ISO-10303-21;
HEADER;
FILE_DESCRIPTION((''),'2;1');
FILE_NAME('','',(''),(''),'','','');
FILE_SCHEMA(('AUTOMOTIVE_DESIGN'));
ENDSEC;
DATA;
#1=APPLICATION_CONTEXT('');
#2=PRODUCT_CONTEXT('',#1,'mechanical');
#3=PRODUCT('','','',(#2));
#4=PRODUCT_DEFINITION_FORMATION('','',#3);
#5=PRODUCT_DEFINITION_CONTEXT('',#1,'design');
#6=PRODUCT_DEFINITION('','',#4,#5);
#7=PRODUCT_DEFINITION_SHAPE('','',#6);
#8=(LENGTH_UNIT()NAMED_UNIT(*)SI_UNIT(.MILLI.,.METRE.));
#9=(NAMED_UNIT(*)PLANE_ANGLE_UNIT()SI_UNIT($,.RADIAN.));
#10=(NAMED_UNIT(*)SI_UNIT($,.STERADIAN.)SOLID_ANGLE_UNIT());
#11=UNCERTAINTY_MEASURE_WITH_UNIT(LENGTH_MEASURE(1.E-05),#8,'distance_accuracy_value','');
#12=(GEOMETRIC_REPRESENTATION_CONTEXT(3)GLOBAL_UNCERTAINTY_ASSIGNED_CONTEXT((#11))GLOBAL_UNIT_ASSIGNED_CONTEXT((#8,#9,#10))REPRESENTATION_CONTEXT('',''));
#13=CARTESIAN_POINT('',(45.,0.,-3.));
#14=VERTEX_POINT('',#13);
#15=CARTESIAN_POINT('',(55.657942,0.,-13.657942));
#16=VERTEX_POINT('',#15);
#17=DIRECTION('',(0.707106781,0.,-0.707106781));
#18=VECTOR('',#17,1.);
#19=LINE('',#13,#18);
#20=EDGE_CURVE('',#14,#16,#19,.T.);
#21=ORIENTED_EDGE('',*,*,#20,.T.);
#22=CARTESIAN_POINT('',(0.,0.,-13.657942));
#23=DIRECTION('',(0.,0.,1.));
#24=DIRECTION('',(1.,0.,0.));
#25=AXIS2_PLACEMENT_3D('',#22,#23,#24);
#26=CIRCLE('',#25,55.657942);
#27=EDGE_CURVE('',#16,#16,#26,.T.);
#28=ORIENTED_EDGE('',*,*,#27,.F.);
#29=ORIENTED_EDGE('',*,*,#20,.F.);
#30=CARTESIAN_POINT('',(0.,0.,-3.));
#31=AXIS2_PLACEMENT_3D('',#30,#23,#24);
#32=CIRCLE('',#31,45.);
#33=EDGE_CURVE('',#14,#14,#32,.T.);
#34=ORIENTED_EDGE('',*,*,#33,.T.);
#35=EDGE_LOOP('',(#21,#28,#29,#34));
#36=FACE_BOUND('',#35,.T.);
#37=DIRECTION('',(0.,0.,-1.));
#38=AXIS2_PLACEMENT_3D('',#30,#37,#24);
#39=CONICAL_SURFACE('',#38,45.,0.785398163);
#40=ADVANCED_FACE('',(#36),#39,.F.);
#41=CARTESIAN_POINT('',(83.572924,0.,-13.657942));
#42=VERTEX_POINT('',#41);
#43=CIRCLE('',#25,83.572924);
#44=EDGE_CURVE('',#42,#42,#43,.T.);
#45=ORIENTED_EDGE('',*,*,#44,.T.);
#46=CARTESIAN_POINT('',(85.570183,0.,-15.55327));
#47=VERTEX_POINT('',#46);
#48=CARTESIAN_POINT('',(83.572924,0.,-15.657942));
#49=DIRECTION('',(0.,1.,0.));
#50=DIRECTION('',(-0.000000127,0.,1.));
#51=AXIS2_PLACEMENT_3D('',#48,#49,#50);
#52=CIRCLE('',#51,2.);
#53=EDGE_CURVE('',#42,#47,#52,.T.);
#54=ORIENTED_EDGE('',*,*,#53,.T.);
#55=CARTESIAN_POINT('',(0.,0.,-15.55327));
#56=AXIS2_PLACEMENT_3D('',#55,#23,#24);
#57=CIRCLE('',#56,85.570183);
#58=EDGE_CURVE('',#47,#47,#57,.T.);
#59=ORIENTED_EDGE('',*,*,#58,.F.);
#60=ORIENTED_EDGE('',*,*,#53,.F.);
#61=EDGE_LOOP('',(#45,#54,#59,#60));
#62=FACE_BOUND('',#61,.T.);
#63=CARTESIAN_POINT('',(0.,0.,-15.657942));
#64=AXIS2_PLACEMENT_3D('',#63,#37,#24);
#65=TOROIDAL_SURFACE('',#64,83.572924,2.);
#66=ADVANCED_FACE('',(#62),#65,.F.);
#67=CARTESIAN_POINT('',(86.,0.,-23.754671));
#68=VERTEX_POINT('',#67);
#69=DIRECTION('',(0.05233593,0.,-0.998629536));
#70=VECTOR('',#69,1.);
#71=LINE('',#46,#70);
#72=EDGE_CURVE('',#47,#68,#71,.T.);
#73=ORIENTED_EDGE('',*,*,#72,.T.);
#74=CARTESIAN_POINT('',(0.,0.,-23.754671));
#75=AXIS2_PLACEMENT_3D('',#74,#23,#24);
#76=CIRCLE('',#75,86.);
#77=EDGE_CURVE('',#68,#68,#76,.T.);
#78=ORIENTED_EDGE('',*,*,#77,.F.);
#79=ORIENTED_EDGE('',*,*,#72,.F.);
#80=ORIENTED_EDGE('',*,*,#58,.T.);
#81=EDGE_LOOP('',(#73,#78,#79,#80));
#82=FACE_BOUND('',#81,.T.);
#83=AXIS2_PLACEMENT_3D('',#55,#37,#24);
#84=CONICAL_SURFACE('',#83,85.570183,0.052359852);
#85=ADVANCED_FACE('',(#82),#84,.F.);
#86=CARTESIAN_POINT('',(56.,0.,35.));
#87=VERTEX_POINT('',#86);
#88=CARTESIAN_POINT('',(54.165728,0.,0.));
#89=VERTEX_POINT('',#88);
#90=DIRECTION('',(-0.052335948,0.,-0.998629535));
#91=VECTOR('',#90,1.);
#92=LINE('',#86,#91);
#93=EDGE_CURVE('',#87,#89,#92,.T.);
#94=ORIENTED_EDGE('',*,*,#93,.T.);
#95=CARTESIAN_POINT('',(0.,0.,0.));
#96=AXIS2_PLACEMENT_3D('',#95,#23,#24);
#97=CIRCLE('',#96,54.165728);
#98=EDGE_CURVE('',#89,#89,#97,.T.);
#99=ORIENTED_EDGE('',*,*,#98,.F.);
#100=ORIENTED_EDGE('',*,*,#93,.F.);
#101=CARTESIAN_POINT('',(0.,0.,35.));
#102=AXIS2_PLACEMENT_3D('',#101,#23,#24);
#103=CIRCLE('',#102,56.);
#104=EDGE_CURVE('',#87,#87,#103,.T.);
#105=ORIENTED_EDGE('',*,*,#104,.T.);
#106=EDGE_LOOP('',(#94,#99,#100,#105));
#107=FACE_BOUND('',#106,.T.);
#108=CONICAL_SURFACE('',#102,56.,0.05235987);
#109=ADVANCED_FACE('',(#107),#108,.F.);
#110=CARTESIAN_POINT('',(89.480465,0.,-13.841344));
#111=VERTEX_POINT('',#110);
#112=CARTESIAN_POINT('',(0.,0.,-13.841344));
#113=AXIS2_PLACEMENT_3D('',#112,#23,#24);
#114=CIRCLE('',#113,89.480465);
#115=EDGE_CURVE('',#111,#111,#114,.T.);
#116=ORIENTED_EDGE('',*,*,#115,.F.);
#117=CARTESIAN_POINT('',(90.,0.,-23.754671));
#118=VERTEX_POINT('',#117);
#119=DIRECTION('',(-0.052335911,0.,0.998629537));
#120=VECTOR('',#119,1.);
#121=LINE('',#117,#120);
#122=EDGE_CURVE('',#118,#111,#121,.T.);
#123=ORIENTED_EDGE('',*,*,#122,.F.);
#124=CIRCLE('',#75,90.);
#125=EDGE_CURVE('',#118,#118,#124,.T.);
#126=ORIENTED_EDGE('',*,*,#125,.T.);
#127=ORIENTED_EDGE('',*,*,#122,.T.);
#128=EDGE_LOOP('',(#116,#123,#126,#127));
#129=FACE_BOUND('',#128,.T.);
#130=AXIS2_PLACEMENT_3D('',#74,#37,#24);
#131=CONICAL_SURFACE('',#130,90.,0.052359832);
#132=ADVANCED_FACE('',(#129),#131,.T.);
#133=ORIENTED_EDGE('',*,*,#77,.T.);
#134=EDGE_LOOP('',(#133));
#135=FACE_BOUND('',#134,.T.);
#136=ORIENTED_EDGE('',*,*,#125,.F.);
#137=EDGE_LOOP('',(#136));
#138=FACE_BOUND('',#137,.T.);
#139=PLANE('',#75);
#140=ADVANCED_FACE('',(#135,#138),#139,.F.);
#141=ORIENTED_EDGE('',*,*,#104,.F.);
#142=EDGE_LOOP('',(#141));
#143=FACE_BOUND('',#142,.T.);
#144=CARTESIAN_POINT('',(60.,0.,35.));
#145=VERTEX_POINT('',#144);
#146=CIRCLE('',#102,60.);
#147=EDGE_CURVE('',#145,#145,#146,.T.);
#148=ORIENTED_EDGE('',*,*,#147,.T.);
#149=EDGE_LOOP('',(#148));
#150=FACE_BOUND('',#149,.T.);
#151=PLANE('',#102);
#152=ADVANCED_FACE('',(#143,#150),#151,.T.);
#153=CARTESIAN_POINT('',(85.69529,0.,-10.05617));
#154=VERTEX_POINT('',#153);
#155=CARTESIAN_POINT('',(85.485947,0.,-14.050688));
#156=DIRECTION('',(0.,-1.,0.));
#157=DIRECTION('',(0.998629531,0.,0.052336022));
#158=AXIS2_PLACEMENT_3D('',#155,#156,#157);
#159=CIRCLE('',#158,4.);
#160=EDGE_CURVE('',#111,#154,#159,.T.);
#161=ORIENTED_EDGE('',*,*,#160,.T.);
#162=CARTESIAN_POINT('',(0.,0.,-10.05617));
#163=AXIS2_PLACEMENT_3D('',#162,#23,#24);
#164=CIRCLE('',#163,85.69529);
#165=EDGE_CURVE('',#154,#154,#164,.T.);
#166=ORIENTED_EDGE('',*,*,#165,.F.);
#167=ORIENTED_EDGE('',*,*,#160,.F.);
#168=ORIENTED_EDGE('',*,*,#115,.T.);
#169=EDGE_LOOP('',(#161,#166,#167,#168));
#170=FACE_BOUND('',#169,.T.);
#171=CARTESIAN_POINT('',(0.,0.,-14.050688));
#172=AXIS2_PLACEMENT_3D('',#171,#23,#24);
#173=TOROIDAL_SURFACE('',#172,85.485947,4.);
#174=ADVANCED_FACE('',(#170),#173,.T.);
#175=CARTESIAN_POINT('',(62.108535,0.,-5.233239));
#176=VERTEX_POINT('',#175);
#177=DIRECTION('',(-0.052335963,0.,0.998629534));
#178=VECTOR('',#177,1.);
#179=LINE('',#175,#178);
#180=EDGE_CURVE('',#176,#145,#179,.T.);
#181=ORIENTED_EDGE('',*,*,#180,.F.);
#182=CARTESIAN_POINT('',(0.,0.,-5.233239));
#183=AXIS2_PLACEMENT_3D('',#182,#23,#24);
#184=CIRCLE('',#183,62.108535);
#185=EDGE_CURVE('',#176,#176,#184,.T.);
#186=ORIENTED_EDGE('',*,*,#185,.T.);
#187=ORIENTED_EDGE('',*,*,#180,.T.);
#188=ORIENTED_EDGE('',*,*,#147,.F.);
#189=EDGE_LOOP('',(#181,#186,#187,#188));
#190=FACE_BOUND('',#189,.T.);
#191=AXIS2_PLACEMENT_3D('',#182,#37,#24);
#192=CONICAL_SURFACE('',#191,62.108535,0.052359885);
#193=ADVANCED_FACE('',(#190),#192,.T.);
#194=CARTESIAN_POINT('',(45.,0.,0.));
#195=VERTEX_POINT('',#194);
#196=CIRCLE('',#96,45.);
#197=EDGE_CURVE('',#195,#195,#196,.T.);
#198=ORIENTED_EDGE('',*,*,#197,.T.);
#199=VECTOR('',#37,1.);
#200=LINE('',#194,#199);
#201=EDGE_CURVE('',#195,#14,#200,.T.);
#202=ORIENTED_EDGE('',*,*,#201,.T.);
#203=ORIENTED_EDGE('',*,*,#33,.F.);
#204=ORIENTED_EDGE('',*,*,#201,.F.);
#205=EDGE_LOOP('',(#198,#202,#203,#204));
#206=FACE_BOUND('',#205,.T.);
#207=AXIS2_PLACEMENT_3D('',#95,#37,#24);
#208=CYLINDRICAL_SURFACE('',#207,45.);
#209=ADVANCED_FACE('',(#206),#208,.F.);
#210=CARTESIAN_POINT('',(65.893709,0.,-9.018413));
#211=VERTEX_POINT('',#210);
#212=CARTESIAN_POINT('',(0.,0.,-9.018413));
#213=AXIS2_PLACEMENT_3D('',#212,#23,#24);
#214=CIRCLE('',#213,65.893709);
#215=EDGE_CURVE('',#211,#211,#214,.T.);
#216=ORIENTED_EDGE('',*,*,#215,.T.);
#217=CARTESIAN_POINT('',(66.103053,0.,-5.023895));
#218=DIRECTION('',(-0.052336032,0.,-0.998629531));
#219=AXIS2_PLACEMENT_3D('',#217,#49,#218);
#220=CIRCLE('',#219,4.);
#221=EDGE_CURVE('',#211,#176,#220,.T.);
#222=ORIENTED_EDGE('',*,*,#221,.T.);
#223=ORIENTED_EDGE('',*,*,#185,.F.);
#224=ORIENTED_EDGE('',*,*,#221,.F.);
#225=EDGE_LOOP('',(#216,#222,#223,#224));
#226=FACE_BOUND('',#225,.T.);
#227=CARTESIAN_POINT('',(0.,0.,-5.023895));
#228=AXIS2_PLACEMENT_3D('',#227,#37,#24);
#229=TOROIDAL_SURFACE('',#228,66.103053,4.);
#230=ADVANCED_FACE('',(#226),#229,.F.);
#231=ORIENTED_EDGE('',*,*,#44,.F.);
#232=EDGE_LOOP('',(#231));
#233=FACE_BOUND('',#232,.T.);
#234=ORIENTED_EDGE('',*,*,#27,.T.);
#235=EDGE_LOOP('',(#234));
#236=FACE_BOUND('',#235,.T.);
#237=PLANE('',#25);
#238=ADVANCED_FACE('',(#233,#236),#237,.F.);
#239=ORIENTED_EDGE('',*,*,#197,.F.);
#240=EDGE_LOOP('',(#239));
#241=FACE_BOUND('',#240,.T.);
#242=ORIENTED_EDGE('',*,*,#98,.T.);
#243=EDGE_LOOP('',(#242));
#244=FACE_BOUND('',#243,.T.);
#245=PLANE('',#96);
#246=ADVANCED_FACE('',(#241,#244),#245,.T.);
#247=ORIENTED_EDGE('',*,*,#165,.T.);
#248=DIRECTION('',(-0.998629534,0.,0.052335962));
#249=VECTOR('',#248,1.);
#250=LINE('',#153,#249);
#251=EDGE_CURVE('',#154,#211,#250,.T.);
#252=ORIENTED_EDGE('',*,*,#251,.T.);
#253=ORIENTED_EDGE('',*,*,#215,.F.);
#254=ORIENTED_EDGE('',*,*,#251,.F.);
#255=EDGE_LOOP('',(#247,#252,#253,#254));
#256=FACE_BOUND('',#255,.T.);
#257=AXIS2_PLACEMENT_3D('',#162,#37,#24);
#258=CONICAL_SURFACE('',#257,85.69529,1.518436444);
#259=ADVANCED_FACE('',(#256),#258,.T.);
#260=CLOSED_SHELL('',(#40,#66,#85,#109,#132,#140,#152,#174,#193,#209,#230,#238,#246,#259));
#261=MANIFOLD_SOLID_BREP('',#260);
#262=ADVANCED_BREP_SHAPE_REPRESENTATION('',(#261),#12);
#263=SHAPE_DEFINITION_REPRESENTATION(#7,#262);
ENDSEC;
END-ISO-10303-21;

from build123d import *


with BuildPart() as f1:
    # F0 (on Front) → F1 (revolve)
    with BuildSketch(Plane.XZ):
        with BuildLine():
            Line((54.165728, 0), (45, 0))
            Line((45, 0), (45, -3))
            Line((45, -3), (55.657942, -13.657942))
            Line((55.657942, -13.657942), (83.572924, -13.657942))
            ThreePointArc((83.572924, -13.657942), (84.949633, -14.207193), (85.570183, -15.55327))
            Line((85.570183, -15.55327), (86, -23.754671))
            Line((86, -23.754671), (90, -23.754671))
            Line((90, -23.754671), (89.480465, -13.841344))
            ThreePointArc((89.480465, -13.841344), (88.314374, -11.222261), (85.69529, -10.05617))
            Line((85.69529, -10.05617), (65.893709, -9.018413))
            ThreePointArc((65.893709, -9.018413), (63.274626, -7.852322), (62.108535, -5.233239))
            Line((62.108535, -5.233239), (60, 35))
            Line((60, 35), (56, 35))
            Line((56, 35), (54.165728, 0))
        make_face()
    revolve(axis=Axis((0, 0, -2), (0, 0, 1)))


solid = f1.part
